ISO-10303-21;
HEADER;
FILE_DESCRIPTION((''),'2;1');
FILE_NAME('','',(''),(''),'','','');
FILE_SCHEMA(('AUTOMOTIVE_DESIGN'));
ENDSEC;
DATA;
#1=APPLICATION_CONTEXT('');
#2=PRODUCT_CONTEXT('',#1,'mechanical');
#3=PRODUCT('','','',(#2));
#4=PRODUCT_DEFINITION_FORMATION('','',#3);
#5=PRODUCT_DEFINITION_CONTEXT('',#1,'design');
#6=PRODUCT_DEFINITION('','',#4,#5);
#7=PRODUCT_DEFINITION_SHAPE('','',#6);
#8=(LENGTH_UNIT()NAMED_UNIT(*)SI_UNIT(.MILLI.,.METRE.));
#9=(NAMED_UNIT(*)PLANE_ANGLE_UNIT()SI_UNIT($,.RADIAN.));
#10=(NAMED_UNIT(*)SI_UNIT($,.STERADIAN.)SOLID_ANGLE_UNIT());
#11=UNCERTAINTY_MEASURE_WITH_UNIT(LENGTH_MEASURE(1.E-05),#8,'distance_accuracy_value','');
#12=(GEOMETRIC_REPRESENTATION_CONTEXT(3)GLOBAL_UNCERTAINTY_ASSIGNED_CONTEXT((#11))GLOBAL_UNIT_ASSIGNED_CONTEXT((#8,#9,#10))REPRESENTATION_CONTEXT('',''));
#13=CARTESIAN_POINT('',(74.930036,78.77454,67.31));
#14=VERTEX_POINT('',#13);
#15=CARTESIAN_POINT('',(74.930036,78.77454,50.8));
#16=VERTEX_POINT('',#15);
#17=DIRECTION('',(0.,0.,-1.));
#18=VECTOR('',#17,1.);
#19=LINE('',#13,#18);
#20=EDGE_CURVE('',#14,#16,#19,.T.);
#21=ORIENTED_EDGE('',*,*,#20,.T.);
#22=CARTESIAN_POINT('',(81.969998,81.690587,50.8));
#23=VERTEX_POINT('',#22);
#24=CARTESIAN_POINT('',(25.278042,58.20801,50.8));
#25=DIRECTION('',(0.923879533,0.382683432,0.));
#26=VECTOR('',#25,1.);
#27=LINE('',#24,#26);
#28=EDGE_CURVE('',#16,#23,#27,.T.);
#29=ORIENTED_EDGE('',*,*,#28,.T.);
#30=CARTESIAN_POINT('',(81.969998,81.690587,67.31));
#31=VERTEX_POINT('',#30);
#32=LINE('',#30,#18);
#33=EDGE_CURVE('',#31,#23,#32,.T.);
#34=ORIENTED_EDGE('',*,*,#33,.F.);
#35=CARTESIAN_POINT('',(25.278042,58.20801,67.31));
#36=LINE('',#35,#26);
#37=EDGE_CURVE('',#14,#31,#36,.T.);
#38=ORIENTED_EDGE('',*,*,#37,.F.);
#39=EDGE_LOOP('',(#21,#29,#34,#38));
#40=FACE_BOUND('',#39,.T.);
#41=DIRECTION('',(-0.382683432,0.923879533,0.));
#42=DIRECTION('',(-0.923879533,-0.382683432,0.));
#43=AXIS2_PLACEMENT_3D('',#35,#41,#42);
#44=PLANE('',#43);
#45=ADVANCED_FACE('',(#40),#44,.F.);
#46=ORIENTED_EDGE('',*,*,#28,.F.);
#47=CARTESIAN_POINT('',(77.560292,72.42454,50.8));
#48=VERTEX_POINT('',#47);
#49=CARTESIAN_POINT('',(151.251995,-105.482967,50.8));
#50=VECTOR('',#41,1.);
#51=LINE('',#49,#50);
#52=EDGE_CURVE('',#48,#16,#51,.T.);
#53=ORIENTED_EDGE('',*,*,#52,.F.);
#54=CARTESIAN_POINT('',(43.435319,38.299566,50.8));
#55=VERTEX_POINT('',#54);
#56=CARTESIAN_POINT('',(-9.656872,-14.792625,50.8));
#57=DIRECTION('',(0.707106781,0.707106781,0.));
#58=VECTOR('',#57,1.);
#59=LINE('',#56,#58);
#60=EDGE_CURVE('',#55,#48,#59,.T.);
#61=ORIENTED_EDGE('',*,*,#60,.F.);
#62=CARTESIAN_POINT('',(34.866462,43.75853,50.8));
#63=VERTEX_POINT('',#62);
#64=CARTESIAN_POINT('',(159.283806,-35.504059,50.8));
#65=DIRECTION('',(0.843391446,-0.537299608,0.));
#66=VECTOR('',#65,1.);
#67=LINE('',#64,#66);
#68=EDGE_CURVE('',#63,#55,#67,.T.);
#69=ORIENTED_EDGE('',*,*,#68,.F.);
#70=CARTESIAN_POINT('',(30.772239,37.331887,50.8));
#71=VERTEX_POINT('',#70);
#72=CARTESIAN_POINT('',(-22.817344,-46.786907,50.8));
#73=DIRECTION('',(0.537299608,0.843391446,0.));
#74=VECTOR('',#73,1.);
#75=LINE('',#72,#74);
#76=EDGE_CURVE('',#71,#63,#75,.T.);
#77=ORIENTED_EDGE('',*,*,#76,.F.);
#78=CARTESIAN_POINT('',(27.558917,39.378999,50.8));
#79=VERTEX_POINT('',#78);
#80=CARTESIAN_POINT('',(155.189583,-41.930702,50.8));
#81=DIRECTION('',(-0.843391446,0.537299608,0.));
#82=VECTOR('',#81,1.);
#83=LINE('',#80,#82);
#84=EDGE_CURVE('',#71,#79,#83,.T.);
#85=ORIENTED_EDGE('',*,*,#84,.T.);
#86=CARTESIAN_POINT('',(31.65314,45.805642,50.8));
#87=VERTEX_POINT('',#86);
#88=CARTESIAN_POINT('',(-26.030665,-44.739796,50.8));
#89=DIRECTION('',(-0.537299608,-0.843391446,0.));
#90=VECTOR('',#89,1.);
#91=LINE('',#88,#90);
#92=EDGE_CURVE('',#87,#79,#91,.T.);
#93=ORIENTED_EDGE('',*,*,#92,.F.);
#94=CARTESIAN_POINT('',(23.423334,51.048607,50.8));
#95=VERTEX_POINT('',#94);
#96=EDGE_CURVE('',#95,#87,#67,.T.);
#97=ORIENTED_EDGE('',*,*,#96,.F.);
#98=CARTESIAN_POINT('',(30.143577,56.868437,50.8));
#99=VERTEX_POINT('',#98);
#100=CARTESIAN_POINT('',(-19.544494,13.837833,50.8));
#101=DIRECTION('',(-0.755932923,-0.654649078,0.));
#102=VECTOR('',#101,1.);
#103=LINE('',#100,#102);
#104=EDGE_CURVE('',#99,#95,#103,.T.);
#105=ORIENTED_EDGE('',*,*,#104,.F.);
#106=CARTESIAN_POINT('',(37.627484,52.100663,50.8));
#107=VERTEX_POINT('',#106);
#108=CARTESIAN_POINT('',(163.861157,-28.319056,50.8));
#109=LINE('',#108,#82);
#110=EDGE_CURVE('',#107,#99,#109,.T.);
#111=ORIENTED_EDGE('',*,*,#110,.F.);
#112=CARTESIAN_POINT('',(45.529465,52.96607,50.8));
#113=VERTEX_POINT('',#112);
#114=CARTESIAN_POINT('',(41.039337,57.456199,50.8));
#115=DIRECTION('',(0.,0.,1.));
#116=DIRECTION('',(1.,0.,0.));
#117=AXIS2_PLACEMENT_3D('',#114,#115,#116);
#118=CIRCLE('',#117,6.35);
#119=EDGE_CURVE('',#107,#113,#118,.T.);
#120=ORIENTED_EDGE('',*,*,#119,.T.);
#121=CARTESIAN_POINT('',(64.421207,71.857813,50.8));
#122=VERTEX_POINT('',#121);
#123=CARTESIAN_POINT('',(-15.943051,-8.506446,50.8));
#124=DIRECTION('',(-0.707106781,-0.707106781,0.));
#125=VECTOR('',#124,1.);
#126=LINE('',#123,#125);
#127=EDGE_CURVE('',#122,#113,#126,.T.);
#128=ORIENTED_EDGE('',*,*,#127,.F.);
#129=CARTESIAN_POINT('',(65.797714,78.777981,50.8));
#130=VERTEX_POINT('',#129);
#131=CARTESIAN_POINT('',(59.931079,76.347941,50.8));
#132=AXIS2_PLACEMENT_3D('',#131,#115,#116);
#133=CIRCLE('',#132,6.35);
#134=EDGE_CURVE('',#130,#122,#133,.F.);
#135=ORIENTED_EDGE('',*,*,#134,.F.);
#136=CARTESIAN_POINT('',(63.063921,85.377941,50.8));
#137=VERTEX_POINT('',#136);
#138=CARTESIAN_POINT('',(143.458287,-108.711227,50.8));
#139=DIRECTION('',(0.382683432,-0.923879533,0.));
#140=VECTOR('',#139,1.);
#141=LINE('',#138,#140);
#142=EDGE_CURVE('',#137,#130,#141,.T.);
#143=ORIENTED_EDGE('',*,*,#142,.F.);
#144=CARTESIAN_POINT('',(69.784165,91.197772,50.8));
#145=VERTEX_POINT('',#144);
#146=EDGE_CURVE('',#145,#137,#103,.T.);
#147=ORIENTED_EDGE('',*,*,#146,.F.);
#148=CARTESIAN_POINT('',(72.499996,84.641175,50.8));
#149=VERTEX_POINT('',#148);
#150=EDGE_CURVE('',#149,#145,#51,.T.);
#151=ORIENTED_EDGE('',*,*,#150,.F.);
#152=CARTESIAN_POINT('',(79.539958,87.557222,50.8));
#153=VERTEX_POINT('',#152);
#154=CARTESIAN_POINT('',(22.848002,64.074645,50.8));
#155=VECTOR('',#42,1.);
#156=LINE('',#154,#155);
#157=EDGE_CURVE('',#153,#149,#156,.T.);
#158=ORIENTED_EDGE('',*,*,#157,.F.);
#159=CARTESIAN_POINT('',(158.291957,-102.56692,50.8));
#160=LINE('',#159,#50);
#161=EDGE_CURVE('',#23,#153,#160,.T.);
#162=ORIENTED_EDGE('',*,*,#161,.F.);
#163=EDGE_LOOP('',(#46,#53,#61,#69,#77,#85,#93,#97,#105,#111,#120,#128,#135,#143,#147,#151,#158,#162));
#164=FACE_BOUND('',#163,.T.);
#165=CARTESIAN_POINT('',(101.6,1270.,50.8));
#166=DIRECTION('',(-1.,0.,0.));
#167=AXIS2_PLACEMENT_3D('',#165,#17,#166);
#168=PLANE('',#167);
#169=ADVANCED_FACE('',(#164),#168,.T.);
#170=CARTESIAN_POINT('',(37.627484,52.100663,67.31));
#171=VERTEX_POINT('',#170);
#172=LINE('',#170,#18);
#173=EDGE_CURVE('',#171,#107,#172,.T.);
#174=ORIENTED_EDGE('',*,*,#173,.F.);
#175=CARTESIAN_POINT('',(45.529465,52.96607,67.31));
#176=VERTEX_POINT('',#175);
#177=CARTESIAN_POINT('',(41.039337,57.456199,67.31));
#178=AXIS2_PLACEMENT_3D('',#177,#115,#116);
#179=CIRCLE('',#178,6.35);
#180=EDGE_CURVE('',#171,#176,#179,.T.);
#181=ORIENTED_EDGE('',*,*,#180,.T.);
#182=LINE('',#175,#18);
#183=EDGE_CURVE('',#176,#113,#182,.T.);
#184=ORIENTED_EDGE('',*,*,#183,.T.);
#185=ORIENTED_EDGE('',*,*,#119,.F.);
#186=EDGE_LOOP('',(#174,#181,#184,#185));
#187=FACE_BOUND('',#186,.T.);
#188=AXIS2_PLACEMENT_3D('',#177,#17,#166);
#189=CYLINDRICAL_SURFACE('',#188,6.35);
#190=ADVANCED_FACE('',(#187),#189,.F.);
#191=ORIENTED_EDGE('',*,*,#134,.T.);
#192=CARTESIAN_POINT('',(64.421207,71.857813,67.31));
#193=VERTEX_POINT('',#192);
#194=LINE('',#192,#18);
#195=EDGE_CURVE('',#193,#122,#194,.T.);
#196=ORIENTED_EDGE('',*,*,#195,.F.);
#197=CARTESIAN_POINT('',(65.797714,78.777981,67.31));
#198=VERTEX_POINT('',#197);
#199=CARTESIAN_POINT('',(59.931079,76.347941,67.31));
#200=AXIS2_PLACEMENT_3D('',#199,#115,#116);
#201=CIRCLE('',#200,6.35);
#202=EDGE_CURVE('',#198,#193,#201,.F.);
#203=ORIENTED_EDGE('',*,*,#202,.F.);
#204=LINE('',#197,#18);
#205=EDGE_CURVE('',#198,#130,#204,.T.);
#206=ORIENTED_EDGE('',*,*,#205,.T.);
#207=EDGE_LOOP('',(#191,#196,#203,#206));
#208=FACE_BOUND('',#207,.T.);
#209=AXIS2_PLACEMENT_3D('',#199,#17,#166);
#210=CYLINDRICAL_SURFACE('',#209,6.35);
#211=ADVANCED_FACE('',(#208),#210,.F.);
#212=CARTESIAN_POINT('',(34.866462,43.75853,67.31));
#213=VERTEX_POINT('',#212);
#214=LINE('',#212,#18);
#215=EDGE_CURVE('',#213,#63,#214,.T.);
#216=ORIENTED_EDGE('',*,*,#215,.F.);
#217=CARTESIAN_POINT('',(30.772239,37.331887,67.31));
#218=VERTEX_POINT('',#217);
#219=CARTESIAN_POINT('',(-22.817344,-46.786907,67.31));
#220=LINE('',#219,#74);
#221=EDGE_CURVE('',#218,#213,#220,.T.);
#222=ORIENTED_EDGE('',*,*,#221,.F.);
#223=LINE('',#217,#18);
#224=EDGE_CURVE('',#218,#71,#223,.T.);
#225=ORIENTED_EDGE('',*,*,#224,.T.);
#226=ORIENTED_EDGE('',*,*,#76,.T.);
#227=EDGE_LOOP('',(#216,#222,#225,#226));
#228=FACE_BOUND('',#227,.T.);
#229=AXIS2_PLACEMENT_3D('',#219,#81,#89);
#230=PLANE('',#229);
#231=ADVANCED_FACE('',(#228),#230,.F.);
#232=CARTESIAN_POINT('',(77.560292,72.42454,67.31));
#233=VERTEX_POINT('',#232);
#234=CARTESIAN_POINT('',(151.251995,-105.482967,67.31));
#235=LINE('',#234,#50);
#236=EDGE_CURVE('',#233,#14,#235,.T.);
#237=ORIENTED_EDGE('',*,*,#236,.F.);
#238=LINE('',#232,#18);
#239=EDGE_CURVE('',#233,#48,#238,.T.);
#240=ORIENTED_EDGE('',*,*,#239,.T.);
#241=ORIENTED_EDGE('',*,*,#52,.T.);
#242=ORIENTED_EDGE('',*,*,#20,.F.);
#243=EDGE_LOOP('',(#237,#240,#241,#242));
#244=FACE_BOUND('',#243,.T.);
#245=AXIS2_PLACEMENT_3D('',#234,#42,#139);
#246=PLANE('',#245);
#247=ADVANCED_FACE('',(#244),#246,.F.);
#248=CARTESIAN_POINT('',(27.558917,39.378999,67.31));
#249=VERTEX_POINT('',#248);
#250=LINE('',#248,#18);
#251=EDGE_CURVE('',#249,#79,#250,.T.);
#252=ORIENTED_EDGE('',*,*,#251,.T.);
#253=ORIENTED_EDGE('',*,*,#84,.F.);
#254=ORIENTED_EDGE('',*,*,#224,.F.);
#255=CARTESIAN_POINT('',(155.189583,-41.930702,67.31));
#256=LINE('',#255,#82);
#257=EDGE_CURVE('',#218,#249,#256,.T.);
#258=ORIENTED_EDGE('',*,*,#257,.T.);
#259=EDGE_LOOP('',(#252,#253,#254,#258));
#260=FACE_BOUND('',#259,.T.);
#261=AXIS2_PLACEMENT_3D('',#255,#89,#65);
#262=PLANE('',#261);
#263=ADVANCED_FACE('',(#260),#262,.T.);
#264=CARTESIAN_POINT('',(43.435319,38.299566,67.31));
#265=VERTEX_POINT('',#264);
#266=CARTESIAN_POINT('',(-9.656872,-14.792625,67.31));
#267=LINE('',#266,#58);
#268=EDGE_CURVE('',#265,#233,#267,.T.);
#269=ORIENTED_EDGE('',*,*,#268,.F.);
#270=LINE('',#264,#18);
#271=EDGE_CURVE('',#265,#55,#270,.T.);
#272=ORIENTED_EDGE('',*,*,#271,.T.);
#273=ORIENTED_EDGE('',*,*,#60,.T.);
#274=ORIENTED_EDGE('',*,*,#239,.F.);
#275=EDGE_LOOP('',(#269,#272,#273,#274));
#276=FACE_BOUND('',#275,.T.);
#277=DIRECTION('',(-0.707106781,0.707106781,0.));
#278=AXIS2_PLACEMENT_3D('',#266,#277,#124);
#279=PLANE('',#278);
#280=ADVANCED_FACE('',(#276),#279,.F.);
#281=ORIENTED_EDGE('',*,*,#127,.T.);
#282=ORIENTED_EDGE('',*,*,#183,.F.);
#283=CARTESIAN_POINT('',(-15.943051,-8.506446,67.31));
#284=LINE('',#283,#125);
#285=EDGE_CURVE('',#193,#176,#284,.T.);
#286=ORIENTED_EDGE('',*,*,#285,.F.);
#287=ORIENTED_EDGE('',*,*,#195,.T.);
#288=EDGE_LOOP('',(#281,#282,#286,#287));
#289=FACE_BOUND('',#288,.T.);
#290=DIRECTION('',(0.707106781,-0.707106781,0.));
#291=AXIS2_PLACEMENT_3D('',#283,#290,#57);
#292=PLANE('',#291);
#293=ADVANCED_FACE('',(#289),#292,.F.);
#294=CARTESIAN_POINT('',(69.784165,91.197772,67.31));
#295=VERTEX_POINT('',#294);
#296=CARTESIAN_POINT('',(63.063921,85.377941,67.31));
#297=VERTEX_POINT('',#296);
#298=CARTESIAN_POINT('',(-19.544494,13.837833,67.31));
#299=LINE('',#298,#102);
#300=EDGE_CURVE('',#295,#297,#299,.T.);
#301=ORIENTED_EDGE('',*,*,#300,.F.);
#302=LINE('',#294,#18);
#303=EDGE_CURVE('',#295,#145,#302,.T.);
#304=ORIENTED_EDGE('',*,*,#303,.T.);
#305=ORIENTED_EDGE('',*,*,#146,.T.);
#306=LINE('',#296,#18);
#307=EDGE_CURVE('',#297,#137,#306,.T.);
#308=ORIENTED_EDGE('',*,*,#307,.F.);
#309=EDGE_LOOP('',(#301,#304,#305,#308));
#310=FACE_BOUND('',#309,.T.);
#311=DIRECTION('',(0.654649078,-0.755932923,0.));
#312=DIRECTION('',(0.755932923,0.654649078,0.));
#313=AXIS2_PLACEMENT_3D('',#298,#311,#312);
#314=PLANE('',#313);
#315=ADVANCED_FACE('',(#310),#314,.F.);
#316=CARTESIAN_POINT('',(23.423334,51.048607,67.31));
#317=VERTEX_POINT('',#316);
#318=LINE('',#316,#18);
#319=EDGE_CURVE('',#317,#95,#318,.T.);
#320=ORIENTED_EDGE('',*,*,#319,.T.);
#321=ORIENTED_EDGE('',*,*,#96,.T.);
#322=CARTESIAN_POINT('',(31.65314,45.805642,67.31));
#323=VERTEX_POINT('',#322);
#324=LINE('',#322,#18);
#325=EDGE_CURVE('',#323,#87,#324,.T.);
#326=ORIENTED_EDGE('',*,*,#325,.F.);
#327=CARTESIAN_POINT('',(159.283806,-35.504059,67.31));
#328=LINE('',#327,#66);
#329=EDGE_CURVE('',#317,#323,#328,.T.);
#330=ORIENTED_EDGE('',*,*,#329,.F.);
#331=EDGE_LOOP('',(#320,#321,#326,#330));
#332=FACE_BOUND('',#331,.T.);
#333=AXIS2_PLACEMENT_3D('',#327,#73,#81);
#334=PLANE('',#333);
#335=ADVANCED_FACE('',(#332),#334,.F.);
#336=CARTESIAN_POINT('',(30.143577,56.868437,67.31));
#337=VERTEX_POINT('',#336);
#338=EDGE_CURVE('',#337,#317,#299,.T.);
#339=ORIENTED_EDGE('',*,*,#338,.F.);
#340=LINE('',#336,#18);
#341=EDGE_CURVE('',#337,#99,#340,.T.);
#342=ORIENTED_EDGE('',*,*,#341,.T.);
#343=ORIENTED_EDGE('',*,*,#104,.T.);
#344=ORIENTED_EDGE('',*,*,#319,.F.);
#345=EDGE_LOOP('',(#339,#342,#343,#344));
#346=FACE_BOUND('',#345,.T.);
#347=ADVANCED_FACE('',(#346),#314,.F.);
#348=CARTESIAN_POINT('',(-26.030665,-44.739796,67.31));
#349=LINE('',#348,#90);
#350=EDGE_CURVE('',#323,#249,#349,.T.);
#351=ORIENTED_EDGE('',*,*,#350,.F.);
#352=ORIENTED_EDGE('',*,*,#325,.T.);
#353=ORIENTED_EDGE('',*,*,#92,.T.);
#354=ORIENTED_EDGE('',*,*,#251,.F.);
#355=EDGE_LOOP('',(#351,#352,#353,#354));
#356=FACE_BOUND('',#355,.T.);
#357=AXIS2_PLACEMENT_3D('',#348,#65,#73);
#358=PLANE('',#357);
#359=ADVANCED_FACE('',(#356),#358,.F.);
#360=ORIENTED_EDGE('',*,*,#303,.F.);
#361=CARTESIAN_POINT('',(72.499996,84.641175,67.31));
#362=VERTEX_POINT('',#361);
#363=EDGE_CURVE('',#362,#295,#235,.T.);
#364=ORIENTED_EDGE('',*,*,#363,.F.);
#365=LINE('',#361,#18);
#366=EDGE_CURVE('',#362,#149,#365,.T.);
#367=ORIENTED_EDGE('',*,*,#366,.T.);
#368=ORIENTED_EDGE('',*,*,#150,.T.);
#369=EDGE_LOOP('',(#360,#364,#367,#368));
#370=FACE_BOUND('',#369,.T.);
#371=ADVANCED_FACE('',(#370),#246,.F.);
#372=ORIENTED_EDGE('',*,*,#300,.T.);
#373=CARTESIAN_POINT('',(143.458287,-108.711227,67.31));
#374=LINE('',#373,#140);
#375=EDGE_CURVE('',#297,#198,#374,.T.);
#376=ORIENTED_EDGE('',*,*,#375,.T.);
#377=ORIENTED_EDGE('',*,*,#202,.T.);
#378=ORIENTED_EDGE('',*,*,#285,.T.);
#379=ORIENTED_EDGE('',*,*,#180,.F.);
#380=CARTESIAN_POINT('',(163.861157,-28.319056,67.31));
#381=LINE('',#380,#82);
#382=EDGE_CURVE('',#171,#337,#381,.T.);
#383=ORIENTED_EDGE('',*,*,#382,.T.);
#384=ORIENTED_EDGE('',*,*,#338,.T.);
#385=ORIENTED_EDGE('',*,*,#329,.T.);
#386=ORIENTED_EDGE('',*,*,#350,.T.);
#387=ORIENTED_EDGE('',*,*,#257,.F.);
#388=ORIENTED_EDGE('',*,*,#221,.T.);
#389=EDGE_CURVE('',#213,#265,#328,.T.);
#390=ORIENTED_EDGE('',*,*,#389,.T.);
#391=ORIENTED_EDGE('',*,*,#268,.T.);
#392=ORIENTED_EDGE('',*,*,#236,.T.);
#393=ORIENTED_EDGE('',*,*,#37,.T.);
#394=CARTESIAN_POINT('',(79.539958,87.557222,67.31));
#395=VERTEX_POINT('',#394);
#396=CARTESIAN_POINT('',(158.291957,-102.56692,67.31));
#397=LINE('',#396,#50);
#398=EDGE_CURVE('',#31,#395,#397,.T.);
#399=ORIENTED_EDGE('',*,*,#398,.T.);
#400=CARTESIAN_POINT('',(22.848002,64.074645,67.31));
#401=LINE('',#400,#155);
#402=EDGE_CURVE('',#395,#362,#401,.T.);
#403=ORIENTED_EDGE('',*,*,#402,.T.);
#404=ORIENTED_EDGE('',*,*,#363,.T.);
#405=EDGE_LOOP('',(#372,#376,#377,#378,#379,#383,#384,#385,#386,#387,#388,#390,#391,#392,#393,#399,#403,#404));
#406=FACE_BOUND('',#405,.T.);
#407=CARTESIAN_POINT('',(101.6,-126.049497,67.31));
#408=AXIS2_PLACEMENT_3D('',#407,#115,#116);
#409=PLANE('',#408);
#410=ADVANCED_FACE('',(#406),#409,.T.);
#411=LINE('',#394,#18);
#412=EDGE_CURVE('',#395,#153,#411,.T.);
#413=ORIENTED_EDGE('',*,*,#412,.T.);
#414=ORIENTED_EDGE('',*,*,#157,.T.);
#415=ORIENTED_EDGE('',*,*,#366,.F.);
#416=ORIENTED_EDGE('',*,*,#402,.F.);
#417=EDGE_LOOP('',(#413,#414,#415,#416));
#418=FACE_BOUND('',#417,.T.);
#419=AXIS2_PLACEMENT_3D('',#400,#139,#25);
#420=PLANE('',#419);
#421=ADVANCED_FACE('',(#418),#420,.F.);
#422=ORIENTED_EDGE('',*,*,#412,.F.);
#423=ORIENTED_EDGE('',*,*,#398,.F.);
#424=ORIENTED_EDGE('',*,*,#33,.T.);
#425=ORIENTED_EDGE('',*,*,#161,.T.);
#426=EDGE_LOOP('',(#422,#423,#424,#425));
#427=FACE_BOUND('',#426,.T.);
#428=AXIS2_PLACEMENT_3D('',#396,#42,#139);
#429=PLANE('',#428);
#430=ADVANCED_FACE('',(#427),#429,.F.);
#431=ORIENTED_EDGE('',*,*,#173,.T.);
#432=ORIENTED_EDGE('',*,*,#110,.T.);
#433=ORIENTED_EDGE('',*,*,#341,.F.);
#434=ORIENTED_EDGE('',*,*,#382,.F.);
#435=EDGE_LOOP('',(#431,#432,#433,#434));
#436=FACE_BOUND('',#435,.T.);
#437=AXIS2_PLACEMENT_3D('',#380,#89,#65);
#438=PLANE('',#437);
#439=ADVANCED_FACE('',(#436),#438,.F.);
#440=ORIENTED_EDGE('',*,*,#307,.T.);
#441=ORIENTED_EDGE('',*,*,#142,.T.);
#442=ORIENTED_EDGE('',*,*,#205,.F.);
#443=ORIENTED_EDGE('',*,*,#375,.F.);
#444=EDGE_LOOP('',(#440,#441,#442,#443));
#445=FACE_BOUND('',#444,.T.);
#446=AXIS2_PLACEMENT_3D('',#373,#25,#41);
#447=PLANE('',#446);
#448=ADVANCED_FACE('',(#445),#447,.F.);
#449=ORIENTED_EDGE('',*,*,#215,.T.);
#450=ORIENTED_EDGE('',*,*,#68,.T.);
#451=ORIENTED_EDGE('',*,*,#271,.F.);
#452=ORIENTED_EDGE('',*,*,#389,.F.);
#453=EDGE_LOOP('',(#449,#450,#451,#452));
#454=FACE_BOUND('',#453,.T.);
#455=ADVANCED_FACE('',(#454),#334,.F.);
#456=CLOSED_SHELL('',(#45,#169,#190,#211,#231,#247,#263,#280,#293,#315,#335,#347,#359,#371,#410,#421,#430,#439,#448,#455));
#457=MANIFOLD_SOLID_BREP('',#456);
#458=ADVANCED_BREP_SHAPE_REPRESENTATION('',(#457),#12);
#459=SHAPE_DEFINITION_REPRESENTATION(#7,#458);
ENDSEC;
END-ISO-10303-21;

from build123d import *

# Parameters (mm, degrees)
SKETCH1_W      = 203.2
SKETCH1_H      = 101.6
EXTRUDE1_DEPTH = 50.8
EXTRUDE2_DEPTH = 16.51
SKETCH20_W     = 203.2
SKETCH20_H     = 50.8
EXTRUDE3_DEPTH = 1270


with BuildPart() as part:
    # Sketch1 → Extrude1 (new body)
    with BuildSketch(Plane.XY):
        with Locations((101.6, 50.8)):
            Rectangle(SKETCH1_W, SKETCH1_H)
    extrude(amount=EXTRUDE1_DEPTH)

    # Sketch6 → Extrude2 (add)
    with BuildSketch(Plane.XY.offset(50.8)):
        with BuildLine():
            ThreePointArc((37.627484075, 52.10066287), (41.730641244, 51.143940803), (45.529464649, 52.96607049))
            Line((45.529464649, 52.96607049), (64.421207315, 71.857813157))
            ThreePointArc((64.421207315, 71.857813157), (66.159065786, 75.109117673), (65.797714286, 78.777981013))
            Line((65.797714286, 78.777981013), (63.063921217, 85.377941317))
            Line((63.063921217, 85.377941317), (69.784164904, 91.197771623))
            Line((69.784164904, 91.197771623), (72.499996333, 84.641174554))
            Line((72.499996333, 84.641174554), (79.539958371, 87.557222308))
            Line((79.539958371, 87.557222308), (81.969998167, 81.690587277))
            Line((81.969998167, 81.690587277), (74.930036129, 78.774539522))
            Line((74.930036129, 78.774539522), (77.56029225, 72.424539522))
            Line((77.56029225, 72.424539522), (43.43531899, 38.299566262))
            Line((43.43531899, 38.299566262), (34.866461901, 43.758530283))
            Line((34.866461901, 43.758530283), (37.302310042, 45.218374053))
            Line((37.302310042, 45.218374053), (31.946774361, 48.630226566))
            Line((31.946774361, 48.630226566), (31.653140492, 45.805641791))
            Line((31.653140492, 45.805641791), (23.4233337, 51.04860695))
            Line((23.4233337, 51.04860695), (30.143577387, 56.868437256))
            Line((30.143577387, 56.868437256), (37.627484075, 52.10066287))
        make_face()
        Polygon((31.946774361, 48.630226566), (31.653140492, 45.805641791), (27.558917476, 39.378998974), (30.772238885, 37.331887466), (34.866461901, 43.758530283), (37.302310042, 45.218374053), align=None)
    extrude(amount=EXTRUDE2_DEPTH)

    # Sketch20 → Extrude3 (cut)
    with BuildSketch(Plane.XZ):
        with Locations((101.6, 25.4)):
            Rectangle(SKETCH20_W, SKETCH20_H)
    extrude(amount=-EXTRUDE3_DEPTH, mode=Mode.SUBTRACT)


solid = part.part
